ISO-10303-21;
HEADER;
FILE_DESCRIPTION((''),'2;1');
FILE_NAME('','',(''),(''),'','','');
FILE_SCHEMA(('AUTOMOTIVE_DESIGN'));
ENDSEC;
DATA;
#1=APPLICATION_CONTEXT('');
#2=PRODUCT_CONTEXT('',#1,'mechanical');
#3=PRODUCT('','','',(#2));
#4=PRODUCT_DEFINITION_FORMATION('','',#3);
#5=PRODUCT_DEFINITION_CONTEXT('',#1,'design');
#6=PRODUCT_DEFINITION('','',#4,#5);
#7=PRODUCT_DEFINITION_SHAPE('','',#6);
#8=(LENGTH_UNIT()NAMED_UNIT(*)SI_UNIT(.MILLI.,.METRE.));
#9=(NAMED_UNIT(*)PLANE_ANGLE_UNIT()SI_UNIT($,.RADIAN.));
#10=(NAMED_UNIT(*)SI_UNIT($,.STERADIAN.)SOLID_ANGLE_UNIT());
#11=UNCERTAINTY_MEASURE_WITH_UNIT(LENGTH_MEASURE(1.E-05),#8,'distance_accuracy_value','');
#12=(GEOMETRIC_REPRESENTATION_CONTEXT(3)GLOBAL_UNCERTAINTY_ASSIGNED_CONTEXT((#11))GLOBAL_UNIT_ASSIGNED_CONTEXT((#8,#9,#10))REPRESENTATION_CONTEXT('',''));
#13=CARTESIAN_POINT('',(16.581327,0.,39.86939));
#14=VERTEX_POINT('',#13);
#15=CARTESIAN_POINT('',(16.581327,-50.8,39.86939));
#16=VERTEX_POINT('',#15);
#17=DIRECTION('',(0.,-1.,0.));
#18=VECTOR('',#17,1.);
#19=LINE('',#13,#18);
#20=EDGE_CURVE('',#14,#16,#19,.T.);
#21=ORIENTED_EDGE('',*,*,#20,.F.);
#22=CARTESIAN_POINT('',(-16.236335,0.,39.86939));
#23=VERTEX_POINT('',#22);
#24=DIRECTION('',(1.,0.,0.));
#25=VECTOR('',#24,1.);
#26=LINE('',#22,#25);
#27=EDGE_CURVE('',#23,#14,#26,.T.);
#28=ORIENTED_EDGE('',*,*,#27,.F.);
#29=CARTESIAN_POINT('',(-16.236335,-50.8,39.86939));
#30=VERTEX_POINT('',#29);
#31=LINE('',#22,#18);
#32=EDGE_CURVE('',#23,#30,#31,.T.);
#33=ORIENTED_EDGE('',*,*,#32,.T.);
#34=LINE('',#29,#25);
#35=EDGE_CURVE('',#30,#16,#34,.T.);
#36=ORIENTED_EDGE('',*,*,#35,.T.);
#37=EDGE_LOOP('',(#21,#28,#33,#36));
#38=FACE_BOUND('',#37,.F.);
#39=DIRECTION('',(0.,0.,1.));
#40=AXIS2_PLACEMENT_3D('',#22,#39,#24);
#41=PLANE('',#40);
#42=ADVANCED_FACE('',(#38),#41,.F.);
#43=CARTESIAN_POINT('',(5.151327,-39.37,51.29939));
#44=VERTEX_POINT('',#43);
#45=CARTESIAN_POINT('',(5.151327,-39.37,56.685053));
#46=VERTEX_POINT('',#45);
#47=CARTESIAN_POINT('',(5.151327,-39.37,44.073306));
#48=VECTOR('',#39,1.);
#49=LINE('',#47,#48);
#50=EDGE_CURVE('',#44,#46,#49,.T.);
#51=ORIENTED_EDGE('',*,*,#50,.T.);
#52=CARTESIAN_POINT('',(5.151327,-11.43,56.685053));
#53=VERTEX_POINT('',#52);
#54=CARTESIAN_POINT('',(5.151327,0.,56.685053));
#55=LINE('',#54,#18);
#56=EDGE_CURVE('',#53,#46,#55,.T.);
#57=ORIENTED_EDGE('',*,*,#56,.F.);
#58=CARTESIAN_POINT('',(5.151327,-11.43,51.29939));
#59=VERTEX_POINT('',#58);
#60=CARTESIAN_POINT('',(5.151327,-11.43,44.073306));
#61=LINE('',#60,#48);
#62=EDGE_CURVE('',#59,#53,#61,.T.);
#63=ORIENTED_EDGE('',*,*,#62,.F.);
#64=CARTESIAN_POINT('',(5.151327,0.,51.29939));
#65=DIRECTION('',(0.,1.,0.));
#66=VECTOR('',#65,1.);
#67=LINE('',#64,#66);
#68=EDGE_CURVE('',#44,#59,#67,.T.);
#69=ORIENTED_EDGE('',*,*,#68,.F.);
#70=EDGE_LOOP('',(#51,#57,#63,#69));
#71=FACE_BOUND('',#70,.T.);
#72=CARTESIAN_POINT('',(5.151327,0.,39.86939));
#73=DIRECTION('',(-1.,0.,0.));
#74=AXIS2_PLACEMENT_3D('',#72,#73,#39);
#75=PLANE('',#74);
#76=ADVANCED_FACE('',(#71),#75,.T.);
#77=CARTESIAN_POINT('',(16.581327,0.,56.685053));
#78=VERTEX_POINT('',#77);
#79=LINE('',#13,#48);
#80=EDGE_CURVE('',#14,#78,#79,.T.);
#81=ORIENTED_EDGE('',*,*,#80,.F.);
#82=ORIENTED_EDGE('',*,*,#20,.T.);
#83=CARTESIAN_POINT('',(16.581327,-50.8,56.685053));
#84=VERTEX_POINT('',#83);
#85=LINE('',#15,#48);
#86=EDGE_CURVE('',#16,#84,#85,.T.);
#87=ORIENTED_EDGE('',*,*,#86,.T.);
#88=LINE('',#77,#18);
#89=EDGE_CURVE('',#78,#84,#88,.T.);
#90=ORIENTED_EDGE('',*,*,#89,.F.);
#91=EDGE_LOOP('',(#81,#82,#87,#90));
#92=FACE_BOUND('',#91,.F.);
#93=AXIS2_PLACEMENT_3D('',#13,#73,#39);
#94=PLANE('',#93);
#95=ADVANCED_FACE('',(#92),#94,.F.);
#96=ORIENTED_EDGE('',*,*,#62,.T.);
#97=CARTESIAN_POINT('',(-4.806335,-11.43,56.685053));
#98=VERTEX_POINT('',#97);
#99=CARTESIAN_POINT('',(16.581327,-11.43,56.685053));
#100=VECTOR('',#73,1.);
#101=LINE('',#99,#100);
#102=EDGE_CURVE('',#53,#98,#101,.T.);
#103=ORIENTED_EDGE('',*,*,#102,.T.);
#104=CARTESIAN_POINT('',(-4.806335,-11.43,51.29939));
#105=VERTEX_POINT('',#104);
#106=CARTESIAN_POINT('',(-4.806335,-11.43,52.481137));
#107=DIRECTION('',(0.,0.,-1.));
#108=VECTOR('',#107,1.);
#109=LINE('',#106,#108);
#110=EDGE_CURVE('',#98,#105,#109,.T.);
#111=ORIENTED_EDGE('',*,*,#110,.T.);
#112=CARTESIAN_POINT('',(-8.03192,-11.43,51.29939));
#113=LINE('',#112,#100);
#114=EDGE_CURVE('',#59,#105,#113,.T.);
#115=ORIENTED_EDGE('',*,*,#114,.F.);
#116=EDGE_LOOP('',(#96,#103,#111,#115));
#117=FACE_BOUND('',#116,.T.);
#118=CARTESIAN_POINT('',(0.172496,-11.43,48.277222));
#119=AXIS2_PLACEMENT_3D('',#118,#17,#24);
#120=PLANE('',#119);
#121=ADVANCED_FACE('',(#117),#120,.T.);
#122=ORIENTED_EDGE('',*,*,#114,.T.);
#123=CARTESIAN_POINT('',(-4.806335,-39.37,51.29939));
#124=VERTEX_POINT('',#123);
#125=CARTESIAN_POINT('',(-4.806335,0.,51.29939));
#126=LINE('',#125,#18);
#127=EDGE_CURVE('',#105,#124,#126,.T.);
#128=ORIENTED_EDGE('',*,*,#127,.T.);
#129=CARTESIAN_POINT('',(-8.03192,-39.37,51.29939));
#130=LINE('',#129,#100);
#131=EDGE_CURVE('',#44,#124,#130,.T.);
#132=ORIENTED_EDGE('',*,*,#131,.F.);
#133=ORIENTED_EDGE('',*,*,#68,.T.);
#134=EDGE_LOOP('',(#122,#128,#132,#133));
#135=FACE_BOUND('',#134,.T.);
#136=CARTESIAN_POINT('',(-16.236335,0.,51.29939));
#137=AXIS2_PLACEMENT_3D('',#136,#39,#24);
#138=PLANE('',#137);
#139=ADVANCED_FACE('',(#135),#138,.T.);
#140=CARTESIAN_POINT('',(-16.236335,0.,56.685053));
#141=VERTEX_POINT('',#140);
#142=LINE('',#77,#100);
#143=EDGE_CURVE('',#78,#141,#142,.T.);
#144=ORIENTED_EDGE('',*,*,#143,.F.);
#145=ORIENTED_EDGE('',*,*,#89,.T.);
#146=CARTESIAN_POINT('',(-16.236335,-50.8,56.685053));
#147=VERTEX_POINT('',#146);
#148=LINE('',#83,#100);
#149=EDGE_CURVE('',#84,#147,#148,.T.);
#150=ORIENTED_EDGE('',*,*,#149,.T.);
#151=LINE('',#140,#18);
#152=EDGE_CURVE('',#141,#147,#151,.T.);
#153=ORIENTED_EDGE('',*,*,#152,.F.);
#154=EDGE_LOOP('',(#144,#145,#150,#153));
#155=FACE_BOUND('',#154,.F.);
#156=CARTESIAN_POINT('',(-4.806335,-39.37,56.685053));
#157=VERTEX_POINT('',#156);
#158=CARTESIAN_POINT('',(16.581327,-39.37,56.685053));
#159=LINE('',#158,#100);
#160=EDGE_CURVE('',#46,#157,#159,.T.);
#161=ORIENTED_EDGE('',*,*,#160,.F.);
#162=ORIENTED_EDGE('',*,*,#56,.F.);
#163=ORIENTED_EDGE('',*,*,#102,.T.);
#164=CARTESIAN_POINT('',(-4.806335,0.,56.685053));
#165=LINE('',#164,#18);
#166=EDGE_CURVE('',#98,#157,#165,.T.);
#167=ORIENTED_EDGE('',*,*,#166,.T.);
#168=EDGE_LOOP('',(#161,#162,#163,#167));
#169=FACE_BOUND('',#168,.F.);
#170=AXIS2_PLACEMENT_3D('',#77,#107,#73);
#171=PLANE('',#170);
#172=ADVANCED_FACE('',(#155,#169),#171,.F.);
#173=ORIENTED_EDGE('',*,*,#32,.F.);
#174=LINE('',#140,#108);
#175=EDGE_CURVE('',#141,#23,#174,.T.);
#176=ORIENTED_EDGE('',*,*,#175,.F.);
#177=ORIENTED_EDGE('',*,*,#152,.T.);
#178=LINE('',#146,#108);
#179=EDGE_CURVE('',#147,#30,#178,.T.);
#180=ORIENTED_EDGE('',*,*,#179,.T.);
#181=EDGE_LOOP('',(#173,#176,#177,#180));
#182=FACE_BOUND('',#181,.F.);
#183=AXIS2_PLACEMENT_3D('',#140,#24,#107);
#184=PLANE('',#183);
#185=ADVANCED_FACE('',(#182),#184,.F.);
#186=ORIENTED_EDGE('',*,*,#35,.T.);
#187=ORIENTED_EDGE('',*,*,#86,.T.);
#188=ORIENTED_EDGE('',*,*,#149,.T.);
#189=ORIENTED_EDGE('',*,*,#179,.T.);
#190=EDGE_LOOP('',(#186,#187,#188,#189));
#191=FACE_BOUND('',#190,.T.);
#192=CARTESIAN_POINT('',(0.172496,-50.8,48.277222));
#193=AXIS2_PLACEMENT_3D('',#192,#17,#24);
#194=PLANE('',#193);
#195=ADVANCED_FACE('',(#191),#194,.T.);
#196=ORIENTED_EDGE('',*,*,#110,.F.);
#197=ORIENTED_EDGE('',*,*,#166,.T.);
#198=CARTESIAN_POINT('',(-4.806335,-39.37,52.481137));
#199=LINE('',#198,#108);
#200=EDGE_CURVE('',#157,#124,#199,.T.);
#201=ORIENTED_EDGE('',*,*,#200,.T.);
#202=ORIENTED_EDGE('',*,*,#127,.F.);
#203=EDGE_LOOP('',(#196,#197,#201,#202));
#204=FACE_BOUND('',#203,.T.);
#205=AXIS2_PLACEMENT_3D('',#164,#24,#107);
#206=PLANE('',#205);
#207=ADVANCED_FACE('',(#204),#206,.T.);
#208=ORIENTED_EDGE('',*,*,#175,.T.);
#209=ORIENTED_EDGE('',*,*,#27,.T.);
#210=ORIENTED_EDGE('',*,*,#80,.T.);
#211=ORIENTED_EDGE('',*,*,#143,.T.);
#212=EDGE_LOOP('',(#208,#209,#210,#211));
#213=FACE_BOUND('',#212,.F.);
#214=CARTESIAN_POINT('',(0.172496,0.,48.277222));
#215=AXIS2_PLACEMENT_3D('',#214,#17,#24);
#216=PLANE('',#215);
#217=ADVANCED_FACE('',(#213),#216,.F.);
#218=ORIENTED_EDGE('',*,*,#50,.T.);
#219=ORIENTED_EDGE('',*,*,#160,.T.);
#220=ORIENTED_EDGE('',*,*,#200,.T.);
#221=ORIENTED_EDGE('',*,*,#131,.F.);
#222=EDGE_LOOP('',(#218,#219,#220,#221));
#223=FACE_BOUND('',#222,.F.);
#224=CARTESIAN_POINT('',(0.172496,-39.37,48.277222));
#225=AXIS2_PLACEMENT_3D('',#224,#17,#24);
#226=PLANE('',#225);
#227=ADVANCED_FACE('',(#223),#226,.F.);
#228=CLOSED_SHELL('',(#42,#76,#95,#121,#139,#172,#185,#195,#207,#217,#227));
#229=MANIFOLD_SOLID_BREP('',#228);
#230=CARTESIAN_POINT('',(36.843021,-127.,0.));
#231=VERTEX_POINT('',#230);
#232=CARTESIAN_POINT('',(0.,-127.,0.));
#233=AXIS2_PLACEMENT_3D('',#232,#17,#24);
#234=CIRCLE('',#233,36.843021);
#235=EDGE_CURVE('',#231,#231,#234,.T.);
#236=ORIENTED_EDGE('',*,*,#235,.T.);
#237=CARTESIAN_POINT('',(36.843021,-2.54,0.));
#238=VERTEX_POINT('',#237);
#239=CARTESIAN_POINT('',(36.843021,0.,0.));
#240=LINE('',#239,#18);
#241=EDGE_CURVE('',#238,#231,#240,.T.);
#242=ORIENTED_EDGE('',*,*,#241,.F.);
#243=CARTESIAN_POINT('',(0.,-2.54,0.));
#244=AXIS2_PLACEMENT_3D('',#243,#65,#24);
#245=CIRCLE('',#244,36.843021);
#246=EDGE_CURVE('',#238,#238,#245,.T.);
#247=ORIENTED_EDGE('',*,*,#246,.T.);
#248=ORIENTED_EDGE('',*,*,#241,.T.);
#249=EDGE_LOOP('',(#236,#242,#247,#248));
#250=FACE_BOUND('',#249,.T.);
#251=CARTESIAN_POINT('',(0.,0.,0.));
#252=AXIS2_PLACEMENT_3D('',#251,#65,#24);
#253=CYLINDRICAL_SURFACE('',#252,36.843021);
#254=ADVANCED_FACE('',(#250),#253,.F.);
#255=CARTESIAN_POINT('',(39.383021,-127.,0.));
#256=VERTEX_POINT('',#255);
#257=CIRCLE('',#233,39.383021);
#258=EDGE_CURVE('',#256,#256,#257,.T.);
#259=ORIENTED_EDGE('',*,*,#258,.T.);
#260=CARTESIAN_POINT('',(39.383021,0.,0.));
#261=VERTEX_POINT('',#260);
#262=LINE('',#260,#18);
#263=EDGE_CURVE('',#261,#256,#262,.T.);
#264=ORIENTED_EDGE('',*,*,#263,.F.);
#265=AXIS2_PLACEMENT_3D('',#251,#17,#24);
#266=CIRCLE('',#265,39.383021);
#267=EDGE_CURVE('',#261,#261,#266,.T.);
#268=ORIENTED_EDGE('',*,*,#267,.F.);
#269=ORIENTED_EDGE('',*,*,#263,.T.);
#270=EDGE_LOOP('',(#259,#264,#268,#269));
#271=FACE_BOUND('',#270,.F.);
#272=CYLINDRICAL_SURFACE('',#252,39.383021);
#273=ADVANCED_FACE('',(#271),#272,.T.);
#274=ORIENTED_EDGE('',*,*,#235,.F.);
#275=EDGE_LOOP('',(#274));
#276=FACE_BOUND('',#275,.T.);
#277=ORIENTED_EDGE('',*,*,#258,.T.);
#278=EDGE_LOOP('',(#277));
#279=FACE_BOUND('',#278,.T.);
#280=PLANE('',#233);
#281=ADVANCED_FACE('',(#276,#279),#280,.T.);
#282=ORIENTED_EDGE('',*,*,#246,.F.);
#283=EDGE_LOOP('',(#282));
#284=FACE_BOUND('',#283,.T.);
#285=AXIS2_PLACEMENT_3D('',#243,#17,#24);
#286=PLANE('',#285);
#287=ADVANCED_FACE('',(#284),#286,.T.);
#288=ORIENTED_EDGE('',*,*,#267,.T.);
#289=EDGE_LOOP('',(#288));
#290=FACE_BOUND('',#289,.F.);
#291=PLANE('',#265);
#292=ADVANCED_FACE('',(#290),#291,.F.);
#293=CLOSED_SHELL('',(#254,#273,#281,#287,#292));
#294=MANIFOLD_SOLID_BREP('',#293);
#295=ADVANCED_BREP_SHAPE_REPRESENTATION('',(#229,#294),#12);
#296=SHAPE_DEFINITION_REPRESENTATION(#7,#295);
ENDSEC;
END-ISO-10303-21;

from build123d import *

# Parameters (mm, degrees)
F0_R     = 39.383021
F1_DEPTH = 127
F2_T     = -2.54
F4_DEPTH = 50.8
F5_T     = -11.43


with BuildPart() as f1:
    # F0 (on Front) → F1 (new body)
    with BuildSketch(Plane.XZ):
        Circle(F0_R)
    extrude(amount=F1_DEPTH)

    # F2
    f2_openings = [f1.faces().sort_by_distance(p)[0] for p in [
        (0, -127, 0),
    ]]
    offset(amount=F2_T, openings=f2_openings)


with BuildPart() as f4:
    # F3 (on Front) → F4 (new body)
    with BuildSketch(Plane.XZ):
        Polygon((-16.236335, 39.86939), (0, 39.86939), (16.581327, 39.86939), (16.581327, 56.685053), (-16.236335, 56.685053), align=None)
    extrude(amount=F4_DEPTH)

    # F5
    f5_openings = [f4.faces().sort_by_distance(p)[0] for p in [
        (0.172496, -25.4, 56.685053),
    ]]
    offset(amount=F5_T, openings=f5_openings)


solid = Compound([f1.part, f4.part])
